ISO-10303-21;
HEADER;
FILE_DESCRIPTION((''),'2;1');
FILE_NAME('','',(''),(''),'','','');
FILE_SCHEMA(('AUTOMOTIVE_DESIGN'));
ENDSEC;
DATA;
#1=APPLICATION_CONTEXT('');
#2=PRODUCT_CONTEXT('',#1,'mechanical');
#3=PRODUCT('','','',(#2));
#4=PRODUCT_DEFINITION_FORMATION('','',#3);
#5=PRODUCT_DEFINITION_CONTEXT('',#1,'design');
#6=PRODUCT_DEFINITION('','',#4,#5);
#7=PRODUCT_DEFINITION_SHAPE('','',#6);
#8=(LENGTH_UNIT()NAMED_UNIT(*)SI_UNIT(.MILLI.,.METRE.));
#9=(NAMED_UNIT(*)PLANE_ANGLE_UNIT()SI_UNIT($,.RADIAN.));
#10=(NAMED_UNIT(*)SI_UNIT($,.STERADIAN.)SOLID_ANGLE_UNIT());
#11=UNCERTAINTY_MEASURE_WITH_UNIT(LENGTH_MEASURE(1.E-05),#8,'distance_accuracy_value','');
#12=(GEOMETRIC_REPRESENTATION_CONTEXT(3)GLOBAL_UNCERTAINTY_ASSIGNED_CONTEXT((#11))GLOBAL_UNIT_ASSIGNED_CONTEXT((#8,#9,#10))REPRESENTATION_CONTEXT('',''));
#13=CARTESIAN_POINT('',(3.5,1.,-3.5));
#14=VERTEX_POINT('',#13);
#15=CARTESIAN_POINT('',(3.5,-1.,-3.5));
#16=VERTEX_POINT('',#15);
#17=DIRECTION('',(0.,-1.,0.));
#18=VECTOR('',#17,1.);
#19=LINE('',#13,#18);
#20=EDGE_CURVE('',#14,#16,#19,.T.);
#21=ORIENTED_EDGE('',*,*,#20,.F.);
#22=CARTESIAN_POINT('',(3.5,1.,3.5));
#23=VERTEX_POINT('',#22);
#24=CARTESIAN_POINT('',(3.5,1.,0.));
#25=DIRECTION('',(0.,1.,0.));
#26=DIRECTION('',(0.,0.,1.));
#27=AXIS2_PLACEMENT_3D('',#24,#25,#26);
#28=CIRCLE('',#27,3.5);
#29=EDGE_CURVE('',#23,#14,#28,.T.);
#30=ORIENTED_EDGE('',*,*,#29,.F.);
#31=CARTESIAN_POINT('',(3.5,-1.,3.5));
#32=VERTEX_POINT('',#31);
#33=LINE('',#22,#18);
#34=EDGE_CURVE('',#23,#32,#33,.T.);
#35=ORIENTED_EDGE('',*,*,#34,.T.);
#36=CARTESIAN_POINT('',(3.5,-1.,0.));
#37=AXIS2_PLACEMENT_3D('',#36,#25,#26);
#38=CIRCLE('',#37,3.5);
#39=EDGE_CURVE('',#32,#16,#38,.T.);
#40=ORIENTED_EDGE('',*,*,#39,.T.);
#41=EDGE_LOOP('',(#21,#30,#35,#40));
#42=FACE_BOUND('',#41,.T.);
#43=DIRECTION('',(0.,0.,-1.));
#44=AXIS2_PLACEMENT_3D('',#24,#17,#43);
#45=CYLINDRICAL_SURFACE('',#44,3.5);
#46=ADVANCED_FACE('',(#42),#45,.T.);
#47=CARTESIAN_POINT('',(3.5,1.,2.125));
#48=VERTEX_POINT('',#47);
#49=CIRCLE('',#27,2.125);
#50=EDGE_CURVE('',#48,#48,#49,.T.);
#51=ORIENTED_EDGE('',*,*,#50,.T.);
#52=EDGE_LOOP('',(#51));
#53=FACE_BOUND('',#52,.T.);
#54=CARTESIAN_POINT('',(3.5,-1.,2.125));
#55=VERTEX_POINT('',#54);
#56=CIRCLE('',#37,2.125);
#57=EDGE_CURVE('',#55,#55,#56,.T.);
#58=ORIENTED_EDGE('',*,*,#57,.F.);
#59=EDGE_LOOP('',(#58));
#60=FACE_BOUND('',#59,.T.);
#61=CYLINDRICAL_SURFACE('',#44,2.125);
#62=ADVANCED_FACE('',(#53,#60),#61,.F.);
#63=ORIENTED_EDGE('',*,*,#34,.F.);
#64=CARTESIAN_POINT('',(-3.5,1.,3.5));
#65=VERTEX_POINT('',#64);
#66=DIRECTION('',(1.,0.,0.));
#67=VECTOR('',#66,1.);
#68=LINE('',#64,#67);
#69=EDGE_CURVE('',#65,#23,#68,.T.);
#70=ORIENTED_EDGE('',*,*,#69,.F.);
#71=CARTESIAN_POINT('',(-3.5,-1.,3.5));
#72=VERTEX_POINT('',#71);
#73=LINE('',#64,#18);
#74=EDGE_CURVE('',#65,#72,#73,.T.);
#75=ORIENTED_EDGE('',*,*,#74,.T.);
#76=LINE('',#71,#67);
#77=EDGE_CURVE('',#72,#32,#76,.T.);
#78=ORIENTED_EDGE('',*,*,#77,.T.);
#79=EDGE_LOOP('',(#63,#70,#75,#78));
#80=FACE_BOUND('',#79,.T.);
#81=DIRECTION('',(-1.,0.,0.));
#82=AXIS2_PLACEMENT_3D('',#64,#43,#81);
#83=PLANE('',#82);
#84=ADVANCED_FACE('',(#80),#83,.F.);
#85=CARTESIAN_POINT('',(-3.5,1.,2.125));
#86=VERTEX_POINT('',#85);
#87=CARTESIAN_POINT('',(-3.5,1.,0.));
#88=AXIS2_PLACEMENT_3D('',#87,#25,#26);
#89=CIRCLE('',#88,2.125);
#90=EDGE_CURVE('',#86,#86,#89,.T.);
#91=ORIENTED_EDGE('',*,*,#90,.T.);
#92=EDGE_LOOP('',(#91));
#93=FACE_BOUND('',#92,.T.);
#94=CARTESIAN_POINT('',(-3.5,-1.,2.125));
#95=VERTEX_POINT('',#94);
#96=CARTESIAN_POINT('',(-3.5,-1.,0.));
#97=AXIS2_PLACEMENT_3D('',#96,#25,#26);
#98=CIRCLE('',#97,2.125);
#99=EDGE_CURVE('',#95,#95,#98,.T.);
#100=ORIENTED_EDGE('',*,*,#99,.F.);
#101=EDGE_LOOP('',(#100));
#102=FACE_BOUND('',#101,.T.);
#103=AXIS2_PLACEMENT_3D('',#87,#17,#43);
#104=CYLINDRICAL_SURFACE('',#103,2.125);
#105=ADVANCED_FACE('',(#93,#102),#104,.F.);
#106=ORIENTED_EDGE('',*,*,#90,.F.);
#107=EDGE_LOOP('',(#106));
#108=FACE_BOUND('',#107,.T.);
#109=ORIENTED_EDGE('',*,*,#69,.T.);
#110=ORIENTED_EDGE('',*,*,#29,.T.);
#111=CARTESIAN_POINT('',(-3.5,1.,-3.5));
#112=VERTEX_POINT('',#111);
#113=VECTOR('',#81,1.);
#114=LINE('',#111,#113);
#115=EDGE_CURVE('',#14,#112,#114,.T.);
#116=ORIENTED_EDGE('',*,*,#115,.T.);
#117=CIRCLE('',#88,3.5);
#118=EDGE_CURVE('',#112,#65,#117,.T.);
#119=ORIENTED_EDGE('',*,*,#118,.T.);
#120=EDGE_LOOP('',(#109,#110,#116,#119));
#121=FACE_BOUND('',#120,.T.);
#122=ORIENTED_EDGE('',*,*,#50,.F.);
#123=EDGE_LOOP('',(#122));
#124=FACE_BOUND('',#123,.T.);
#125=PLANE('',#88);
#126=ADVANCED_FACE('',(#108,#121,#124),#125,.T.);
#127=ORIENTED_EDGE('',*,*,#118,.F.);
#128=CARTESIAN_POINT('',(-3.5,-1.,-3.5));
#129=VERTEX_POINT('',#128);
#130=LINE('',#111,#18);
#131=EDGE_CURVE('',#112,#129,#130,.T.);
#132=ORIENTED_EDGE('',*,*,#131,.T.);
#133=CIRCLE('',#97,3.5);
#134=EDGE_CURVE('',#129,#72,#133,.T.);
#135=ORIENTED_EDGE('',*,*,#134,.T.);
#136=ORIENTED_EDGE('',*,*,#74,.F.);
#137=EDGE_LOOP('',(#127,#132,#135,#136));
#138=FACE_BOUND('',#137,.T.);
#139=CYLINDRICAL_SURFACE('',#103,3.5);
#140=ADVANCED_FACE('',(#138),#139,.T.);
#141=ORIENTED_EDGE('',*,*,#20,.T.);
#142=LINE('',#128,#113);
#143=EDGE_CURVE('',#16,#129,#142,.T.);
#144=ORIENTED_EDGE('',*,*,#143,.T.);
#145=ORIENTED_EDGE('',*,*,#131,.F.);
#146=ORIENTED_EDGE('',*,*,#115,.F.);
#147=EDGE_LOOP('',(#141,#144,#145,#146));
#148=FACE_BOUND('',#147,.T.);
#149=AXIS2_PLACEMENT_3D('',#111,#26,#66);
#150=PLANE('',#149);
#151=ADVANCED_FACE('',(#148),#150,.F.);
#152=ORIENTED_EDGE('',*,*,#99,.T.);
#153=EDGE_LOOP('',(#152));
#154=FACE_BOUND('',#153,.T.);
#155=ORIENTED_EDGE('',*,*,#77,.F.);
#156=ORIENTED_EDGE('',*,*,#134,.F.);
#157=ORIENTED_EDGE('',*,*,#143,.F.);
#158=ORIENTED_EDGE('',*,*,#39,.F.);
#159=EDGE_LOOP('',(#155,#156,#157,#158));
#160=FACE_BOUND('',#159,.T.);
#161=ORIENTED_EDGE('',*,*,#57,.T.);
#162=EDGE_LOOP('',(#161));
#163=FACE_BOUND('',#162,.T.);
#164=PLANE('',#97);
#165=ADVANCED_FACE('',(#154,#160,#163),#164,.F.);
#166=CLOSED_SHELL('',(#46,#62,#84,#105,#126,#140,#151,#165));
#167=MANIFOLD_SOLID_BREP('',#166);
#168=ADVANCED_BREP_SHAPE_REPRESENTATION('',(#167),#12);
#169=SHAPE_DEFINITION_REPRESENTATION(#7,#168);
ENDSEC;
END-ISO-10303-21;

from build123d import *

# Parameters (mm, degrees)
SKETCH1_R           = 2.125
BOSS_EXTRUDE1_DEPTH = 1


with BuildPart() as part:
    # Sketch1 → Boss-Extrude1 (new body, symmetric)
    with BuildSketch(Plane(origin=(0, 0, 0), x_dir=(1, 0, 0), z_dir=(0, 1, 0))):
        with BuildLine():
            Line((-3.5, 3.5), (3.5, 3.5))
            ThreePointArc((3.5, 3.5), (7, 0), (3.5, -3.5))
            Line((3.5, -3.5), (-3.5, -3.5))
            ThreePointArc((-3.5, -3.5), (-7, 0), (-3.5, 3.5))
        make_face()
        with Locations((-3.5, 0)):
            Circle(SKETCH1_R, mode=Mode.SUBTRACT)
        with Locations((3.5, 0)):
            Circle(SKETCH1_R, mode=Mode.SUBTRACT)
    extrude(amount=BOSS_EXTRUDE1_DEPTH, both=True)


solid = part.part
